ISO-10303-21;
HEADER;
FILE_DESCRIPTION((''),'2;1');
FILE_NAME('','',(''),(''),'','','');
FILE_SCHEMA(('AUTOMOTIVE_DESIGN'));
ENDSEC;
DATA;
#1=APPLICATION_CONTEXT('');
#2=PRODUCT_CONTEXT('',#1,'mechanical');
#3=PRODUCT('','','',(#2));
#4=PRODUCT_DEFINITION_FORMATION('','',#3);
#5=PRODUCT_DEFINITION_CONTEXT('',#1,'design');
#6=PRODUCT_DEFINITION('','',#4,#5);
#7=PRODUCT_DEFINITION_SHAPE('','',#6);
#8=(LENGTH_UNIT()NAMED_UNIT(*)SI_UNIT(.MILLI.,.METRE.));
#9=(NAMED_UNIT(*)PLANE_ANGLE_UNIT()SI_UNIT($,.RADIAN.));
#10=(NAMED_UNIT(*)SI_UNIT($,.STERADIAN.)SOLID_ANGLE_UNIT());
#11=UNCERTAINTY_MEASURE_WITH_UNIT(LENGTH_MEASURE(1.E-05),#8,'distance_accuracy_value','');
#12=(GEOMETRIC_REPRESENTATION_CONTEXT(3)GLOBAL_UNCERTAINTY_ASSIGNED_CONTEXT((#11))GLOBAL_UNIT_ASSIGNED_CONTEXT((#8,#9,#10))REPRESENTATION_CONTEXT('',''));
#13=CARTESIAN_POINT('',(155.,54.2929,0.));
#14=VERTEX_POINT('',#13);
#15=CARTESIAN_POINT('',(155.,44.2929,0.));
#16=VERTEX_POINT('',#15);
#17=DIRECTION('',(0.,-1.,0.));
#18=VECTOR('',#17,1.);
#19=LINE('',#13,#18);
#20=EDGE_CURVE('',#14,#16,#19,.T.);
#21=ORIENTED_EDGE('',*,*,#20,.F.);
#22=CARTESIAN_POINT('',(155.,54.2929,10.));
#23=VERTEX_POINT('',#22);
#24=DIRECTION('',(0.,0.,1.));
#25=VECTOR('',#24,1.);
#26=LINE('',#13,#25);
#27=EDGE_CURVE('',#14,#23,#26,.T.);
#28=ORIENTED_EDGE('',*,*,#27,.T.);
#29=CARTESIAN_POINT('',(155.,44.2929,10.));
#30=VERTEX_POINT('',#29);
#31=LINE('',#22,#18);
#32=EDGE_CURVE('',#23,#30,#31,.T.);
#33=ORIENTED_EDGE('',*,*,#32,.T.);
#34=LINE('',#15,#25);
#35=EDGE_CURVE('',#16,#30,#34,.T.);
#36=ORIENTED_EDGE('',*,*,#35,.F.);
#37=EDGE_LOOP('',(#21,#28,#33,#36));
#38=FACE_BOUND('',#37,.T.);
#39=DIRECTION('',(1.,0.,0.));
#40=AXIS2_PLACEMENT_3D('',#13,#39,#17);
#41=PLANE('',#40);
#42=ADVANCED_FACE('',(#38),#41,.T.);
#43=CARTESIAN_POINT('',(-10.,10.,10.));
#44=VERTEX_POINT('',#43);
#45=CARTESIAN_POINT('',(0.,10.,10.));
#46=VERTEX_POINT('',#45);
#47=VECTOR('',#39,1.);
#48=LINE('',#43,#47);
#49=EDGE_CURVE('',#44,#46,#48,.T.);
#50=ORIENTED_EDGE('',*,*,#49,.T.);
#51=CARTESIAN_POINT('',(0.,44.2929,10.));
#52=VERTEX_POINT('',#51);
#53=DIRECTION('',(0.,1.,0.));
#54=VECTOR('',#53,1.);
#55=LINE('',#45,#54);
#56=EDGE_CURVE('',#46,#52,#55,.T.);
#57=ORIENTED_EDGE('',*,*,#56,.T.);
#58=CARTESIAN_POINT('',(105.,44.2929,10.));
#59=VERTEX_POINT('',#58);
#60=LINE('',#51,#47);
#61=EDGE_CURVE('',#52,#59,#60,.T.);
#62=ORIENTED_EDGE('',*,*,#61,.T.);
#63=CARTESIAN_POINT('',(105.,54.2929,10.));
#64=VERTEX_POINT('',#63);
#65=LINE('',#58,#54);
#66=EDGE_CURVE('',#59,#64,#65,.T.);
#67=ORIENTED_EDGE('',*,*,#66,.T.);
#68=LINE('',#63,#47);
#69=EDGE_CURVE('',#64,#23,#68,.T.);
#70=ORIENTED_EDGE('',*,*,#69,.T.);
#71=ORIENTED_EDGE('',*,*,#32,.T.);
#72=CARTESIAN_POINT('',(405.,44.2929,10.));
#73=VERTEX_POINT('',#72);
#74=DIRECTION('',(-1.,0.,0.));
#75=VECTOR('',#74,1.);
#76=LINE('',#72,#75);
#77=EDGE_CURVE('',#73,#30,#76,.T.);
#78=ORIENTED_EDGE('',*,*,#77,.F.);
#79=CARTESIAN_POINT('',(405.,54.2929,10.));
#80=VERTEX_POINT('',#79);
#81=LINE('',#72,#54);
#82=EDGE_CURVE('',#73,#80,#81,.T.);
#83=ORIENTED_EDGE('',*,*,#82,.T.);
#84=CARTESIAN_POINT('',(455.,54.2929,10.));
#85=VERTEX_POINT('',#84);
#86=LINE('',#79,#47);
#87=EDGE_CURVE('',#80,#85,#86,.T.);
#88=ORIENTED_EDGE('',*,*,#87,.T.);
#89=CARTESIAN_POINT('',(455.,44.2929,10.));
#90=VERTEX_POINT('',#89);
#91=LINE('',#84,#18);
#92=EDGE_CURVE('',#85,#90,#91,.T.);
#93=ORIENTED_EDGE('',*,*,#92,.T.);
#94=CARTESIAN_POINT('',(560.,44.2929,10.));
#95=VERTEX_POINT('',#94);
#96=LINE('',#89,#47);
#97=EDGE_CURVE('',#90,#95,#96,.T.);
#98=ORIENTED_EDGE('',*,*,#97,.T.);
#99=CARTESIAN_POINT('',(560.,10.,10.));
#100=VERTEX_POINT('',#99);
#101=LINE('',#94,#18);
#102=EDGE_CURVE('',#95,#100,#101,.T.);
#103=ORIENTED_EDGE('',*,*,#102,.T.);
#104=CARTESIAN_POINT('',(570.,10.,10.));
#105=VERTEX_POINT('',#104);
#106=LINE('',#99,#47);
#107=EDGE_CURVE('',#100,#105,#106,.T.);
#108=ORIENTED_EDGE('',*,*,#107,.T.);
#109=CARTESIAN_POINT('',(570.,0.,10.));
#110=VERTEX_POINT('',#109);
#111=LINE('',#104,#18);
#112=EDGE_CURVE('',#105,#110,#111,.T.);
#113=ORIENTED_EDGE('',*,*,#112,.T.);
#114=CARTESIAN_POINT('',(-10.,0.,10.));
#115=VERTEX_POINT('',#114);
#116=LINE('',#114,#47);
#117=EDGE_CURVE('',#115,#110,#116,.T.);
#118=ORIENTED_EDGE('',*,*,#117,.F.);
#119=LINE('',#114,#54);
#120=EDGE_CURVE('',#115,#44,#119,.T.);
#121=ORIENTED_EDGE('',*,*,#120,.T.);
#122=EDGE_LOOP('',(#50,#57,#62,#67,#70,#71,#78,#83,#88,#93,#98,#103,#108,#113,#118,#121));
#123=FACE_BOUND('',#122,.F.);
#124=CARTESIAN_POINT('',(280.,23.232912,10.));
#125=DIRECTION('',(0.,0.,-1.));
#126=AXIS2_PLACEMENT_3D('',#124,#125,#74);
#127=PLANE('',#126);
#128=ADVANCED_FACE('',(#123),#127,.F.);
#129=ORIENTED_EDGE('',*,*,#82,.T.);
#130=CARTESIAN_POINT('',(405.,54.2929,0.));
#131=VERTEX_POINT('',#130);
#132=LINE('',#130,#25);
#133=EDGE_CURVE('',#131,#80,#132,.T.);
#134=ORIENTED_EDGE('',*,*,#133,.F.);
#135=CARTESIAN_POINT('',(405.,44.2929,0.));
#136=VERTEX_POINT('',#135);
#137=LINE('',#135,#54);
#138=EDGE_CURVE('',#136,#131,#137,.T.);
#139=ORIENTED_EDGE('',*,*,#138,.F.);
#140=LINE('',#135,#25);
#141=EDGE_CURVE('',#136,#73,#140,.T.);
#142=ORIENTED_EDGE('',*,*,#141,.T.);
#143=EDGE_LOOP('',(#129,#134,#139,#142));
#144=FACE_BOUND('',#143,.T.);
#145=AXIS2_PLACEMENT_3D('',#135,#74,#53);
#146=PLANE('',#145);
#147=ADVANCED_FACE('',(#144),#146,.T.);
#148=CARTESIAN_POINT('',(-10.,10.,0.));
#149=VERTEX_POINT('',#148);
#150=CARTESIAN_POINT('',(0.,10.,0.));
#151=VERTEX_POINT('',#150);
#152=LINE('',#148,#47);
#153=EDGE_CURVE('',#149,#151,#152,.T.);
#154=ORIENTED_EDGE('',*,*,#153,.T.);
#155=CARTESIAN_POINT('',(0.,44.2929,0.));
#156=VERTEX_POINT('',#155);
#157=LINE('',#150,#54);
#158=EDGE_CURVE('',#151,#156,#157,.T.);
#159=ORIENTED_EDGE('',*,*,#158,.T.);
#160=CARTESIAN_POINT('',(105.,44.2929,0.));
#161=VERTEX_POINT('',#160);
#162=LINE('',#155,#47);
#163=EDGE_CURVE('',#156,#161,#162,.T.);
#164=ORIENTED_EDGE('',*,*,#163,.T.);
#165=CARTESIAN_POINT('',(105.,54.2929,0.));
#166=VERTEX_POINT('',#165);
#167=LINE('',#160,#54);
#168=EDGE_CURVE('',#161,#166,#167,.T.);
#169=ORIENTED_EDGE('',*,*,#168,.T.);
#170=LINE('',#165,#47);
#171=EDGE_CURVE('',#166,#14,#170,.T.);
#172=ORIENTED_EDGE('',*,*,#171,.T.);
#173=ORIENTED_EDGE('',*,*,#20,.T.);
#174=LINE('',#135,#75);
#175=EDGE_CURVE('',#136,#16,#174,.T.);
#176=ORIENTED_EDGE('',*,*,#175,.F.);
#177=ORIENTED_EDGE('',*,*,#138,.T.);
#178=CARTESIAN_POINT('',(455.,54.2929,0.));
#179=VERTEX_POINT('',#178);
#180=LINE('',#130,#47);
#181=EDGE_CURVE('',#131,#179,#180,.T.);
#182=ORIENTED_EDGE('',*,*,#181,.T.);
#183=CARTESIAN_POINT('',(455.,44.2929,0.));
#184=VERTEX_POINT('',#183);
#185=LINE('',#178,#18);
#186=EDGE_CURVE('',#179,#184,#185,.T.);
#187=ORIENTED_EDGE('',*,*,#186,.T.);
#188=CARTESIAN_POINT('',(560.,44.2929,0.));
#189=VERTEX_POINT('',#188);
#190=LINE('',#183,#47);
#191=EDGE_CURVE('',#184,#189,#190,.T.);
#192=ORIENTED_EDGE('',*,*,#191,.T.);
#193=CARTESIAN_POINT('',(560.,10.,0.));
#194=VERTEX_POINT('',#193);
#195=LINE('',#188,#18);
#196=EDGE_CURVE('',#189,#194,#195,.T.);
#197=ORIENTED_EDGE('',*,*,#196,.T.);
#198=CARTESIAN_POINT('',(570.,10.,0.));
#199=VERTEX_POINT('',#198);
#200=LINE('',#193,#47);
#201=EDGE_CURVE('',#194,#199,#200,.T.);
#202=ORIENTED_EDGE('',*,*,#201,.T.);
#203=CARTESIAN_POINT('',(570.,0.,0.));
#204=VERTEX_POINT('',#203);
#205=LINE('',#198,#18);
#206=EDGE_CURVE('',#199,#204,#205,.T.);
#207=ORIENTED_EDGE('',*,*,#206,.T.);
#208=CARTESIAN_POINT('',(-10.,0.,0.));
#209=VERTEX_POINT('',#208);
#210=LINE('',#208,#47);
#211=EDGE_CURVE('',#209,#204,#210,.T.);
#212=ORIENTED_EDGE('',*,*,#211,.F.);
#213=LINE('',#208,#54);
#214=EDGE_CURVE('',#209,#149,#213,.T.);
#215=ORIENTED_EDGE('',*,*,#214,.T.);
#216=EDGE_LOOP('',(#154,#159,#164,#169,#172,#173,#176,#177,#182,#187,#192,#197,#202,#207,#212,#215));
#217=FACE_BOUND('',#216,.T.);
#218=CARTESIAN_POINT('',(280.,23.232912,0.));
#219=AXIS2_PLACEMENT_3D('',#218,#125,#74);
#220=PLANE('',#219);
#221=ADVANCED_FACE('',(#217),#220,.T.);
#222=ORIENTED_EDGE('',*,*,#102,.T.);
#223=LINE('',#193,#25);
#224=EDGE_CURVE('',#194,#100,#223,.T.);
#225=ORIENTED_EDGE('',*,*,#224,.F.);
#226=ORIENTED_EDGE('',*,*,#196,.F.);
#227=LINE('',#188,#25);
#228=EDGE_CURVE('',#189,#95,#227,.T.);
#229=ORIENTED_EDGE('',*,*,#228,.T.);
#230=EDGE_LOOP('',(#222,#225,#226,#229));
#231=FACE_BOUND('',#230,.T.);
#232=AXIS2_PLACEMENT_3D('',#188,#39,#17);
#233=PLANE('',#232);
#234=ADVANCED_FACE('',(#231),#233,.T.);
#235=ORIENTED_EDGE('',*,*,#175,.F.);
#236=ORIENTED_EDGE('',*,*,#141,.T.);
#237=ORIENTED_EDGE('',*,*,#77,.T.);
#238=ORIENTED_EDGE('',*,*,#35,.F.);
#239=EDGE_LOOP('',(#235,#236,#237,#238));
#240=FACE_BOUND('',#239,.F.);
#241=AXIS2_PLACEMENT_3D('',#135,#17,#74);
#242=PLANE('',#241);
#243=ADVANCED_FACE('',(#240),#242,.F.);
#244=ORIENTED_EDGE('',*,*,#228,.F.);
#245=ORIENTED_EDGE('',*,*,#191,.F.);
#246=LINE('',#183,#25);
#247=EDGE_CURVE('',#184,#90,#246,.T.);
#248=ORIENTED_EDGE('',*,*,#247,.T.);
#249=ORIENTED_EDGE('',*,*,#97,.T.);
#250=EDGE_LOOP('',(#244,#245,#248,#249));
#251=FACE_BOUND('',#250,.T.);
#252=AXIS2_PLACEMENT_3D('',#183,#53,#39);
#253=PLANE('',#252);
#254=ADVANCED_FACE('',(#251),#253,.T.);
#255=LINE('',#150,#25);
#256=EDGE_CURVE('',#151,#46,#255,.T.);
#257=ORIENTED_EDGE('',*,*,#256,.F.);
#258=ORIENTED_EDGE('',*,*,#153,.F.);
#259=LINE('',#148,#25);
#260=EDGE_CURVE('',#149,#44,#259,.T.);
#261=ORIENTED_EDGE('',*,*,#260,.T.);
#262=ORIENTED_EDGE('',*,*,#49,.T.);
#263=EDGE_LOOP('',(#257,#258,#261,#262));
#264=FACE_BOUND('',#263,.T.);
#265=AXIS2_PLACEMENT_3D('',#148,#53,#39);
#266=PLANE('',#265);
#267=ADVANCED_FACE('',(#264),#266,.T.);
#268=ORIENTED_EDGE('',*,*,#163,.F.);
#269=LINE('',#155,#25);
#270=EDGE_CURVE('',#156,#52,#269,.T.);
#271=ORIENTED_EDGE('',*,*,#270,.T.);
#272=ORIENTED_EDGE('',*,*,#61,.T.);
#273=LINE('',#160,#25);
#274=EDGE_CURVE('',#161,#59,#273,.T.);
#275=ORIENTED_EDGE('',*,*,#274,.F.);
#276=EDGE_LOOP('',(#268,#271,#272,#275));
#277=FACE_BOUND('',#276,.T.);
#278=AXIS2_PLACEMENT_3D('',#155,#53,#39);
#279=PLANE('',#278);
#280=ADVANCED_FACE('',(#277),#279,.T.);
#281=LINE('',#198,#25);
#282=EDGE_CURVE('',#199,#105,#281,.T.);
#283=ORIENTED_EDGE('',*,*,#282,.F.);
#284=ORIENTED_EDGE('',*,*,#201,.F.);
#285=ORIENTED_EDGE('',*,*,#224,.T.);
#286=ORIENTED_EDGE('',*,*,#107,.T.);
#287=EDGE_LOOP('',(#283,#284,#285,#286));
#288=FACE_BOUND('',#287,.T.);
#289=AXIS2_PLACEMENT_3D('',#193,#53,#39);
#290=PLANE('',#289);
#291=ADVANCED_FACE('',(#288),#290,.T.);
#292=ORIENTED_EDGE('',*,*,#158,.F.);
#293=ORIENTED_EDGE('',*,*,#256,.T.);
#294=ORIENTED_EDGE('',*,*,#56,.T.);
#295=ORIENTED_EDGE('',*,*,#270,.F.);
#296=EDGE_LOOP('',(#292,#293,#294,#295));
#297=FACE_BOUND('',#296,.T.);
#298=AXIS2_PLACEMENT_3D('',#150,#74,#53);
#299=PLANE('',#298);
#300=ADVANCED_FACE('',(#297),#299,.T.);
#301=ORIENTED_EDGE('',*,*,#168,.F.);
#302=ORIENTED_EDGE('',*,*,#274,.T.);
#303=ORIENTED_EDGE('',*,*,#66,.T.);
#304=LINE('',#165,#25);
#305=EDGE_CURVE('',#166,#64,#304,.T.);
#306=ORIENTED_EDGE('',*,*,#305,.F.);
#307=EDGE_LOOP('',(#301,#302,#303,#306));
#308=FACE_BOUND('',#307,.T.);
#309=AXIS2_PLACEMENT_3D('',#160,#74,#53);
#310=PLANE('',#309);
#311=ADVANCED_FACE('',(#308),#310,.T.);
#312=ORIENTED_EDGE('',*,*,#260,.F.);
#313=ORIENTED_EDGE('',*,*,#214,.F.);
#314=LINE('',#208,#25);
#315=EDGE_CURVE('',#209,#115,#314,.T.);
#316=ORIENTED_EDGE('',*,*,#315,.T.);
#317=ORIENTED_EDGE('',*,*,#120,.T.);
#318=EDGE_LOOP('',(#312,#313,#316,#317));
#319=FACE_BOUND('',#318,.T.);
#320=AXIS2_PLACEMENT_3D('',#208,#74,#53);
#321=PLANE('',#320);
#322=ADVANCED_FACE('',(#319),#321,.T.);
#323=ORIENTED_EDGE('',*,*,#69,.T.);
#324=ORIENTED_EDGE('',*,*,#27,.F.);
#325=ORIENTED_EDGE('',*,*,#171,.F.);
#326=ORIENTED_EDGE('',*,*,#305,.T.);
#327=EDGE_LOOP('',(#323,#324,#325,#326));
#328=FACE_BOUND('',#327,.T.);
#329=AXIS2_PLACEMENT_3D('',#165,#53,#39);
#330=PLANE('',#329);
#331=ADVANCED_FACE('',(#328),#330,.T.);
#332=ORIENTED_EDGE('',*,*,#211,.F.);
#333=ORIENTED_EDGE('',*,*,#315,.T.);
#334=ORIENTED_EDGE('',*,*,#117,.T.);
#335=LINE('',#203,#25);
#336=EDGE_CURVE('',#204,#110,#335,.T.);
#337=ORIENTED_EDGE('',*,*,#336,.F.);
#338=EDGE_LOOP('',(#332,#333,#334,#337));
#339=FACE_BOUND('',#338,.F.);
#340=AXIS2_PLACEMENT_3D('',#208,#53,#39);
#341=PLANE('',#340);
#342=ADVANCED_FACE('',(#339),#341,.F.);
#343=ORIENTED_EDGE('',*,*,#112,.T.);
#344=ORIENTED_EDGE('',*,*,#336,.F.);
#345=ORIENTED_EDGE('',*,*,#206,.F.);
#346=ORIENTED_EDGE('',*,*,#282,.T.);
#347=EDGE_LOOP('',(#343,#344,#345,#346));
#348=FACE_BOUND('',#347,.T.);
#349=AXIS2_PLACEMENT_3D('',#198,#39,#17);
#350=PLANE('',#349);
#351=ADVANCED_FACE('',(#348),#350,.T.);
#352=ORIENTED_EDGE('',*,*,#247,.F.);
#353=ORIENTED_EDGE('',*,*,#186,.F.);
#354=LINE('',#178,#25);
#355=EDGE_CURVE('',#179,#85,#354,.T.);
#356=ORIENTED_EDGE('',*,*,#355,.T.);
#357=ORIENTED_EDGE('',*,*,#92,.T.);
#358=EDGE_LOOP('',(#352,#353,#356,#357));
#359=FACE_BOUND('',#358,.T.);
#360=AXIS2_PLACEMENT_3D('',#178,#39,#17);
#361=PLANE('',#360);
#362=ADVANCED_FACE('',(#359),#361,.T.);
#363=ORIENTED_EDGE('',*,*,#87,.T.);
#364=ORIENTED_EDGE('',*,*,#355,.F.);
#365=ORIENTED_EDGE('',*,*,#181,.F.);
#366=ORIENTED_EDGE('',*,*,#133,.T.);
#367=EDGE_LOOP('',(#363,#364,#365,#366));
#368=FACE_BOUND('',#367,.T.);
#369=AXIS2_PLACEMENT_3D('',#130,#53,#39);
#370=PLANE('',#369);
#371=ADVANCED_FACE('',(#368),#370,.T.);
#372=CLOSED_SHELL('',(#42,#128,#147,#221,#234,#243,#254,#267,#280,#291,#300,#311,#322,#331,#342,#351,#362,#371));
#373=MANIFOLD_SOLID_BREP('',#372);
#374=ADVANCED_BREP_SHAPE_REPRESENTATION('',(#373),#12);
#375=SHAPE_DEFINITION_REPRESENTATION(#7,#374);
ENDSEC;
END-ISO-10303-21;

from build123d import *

# Parameters (mm, degrees)
PAD_DEPTH = 10


with BuildPart() as part:
    # Sketch → Pad (new body)
    with BuildSketch(Plane.XY):
        Polygon((0, 0), (-10, 0), (-10, 10), (0, 10), (0, 44.2929), (105, 44.2929), (105, 54.2929), (155, 54.2929), (155, 44.2929), (280, 44.2929), (405, 44.2929), (405, 54.2929), (455, 54.2929), (455, 44.2929), (560, 44.2929), (560, 10), (570, 10), (570, 0), align=None)
    extrude(amount=PAD_DEPTH)


solid = part.part
